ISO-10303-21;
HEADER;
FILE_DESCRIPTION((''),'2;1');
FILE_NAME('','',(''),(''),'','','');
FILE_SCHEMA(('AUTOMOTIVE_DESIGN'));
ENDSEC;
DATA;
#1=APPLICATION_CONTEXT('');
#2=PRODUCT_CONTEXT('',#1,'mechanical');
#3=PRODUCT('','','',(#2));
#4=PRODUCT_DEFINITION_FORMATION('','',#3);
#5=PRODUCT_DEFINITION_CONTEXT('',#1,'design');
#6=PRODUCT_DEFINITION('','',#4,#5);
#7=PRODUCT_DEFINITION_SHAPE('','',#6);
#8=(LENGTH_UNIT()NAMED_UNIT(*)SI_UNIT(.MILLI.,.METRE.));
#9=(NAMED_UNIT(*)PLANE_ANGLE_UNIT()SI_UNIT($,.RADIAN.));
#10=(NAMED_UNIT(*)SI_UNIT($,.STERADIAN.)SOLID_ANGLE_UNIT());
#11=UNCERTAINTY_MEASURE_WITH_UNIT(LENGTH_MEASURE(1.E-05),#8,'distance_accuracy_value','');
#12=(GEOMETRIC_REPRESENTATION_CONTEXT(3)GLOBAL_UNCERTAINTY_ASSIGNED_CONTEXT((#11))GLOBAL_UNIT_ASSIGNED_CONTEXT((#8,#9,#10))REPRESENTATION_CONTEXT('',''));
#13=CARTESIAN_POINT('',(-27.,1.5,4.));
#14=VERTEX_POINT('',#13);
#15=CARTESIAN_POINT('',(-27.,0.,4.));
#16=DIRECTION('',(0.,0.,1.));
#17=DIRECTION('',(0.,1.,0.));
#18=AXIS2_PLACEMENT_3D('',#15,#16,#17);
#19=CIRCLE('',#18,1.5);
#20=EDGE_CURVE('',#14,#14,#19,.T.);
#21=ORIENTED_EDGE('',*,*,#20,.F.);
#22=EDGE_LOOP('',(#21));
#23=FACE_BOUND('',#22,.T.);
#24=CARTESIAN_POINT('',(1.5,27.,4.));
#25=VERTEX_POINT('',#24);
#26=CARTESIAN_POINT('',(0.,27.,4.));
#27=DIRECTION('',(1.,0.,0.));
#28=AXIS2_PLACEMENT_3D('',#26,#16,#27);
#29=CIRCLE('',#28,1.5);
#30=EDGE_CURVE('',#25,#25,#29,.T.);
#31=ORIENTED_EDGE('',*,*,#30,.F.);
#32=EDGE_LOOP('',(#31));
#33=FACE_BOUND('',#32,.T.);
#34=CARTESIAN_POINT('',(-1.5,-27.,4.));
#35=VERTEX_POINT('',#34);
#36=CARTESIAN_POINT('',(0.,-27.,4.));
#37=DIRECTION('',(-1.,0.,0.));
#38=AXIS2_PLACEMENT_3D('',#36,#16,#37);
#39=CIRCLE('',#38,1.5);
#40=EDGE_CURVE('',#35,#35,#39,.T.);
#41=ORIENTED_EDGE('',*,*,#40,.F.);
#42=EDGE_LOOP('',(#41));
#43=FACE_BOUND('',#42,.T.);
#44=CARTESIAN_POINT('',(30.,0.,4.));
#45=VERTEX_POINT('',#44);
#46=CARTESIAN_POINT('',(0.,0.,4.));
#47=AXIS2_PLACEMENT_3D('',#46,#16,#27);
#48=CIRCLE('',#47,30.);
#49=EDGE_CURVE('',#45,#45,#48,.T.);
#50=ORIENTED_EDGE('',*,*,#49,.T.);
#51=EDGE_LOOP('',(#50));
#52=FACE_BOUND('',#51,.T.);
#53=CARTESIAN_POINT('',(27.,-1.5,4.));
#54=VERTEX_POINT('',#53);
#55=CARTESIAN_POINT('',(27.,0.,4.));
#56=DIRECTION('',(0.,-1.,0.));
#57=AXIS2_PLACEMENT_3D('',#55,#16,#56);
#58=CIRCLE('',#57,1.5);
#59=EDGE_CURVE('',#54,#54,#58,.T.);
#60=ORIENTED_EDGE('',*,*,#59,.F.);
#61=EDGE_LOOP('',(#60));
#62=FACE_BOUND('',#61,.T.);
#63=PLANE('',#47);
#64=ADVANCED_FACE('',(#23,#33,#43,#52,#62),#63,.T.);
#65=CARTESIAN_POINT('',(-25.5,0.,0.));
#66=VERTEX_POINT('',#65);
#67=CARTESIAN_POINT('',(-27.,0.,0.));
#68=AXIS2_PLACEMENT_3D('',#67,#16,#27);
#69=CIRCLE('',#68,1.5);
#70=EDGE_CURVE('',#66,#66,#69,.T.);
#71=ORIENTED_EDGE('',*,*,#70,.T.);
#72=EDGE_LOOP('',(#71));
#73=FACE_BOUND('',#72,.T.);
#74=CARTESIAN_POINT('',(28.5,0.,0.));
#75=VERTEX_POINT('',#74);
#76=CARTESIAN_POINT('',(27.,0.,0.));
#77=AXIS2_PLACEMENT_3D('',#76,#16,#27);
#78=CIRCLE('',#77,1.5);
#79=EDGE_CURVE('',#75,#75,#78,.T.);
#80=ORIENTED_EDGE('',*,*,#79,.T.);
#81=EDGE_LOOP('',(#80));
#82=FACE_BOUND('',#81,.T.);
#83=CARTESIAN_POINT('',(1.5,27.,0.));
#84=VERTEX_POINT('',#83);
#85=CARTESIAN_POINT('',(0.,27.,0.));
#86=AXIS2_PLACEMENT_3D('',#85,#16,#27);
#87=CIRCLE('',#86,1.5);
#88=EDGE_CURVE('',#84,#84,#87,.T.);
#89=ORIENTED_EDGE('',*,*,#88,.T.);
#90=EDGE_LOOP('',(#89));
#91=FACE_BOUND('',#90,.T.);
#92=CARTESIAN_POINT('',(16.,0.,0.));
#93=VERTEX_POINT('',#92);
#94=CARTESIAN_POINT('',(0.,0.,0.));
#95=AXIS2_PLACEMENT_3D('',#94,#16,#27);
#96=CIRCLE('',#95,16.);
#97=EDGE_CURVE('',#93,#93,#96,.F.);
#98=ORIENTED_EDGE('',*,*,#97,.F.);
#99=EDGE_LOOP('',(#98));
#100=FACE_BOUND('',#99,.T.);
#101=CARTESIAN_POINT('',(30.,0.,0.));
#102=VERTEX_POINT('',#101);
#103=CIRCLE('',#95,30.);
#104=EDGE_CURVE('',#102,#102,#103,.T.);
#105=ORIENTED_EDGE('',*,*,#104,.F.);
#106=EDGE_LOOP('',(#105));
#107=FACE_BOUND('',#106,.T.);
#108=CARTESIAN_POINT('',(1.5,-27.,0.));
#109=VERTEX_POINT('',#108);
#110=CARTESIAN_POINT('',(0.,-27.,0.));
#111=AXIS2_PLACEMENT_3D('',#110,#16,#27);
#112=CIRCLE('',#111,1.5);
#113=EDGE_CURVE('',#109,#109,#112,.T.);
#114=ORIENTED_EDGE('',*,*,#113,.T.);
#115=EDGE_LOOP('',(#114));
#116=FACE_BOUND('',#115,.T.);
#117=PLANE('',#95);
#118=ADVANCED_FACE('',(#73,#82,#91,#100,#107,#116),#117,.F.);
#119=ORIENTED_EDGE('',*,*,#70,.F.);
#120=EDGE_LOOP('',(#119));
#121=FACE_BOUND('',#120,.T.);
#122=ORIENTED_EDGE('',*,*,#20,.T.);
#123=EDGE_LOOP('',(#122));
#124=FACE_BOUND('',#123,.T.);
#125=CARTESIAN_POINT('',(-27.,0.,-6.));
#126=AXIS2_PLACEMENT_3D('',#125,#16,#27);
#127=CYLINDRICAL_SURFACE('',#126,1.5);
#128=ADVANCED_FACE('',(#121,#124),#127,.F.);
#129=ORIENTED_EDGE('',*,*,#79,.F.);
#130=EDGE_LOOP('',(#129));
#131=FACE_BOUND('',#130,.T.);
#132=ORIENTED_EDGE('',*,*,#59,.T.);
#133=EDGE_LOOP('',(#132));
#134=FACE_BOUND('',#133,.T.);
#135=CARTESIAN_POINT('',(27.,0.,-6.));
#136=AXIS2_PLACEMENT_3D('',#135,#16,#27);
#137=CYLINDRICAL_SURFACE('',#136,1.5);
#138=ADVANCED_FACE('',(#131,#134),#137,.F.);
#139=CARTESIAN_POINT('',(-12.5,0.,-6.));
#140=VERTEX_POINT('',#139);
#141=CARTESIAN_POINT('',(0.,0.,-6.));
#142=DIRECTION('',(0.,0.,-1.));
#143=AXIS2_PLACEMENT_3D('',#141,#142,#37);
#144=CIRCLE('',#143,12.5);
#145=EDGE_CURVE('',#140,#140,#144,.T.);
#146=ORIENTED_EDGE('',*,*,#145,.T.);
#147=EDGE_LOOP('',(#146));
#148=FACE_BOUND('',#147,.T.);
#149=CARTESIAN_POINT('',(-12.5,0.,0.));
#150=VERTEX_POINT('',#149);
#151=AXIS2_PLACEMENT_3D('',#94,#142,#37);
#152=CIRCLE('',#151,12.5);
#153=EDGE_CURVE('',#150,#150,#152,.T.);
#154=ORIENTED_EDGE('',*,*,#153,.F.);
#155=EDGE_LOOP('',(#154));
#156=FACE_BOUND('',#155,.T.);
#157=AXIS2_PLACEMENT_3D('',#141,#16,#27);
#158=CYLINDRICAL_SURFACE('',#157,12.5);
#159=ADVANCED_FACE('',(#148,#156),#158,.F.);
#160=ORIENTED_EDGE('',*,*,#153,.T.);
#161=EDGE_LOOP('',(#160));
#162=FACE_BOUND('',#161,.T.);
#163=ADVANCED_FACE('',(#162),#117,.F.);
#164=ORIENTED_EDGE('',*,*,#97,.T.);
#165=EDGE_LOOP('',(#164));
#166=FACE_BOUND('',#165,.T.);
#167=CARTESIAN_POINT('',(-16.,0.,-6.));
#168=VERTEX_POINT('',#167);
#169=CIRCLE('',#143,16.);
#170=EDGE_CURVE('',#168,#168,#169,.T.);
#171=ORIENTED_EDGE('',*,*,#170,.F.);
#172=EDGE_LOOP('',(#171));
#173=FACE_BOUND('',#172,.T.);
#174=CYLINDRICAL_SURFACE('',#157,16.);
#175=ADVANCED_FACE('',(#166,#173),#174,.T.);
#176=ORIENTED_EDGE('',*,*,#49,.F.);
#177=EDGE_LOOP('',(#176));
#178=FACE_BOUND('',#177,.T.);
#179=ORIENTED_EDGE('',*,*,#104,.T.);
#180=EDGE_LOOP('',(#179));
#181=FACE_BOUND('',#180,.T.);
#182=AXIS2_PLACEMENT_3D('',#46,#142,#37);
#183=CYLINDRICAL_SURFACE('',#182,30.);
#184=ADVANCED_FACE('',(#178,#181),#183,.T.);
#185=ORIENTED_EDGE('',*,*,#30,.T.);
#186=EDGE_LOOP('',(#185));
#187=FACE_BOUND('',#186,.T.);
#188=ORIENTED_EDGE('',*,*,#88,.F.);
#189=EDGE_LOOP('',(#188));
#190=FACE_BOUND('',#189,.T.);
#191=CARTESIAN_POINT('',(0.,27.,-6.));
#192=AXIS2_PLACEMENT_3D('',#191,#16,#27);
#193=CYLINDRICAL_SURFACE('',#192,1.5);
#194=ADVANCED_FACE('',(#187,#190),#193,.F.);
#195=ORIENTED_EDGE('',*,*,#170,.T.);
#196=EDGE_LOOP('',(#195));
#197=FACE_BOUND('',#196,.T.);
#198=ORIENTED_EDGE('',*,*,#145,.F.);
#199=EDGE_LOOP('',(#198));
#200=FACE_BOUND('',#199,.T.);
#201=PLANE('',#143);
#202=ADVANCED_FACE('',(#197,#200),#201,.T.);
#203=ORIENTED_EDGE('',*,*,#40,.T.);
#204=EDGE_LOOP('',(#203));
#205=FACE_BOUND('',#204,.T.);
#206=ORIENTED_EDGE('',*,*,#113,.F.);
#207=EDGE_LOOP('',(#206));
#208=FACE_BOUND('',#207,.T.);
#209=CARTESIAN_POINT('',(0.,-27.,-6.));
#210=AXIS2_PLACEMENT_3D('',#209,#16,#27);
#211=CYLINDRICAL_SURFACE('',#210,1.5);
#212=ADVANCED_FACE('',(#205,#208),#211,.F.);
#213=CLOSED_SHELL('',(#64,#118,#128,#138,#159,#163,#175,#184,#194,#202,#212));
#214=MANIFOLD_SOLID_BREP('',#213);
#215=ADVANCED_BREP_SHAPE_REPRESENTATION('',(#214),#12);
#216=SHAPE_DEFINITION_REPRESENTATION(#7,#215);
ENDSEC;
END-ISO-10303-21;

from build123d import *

# Parameters (mm, degrees)
SKETCH_1_R               = 30
EXTRUDE_1_DEPTH          = 4
SKETCH_3_R               = 1.5
CUT_EXTRUDE_1_DEPTH      = 10
PATTERN_CIRCULAR_1_COUNT = 4
SKETCH_4_R               = 16
SKETCH_4_R_2             = 12.5
EXTRUDE_2_DEPTH          = 6


with BuildPart() as part:
    # 草图1 → 凸台-拉伸1 (new body)
    with BuildSketch(Plane.XY):
        Circle(SKETCH_1_R)
    extrude(amount=EXTRUDE_1_DEPTH)

    # 草图3 → 切除-拉伸1 (cut)
    with BuildSketch(Plane.XY.offset(4)):
        with Locations((0, 27)):
            Circle(SKETCH_3_R)
    cut_extrude_1 = extrude(amount=-CUT_EXTRUDE_1_DEPTH, mode=Mode.SUBTRACT)

    # 阵列(圆周)1: 切除-拉伸1 ×4 about axis
    pattern_circular_1_axis = Axis((0, 0, 0), (0, 0, 1))
    for i in range(1, PATTERN_CIRCULAR_1_COUNT):
        add(cut_extrude_1.rotate(pattern_circular_1_axis, i * 360 / PATTERN_CIRCULAR_1_COUNT), mode=Mode.SUBTRACT)

    # 草图4 → 凸台-拉伸2 (add)
    with BuildSketch(Plane(origin=(0, 0, 0), x_dir=(-1, 0, 0), z_dir=(0, 0, -1))):
        with Locations(Location((0, 0, 0), (0, 0, 180))):
            Circle(SKETCH_4_R)
        Circle(SKETCH_4_R_2, mode=Mode.SUBTRACT)
    extrude(amount=EXTRUDE_2_DEPTH)


solid = part.part
